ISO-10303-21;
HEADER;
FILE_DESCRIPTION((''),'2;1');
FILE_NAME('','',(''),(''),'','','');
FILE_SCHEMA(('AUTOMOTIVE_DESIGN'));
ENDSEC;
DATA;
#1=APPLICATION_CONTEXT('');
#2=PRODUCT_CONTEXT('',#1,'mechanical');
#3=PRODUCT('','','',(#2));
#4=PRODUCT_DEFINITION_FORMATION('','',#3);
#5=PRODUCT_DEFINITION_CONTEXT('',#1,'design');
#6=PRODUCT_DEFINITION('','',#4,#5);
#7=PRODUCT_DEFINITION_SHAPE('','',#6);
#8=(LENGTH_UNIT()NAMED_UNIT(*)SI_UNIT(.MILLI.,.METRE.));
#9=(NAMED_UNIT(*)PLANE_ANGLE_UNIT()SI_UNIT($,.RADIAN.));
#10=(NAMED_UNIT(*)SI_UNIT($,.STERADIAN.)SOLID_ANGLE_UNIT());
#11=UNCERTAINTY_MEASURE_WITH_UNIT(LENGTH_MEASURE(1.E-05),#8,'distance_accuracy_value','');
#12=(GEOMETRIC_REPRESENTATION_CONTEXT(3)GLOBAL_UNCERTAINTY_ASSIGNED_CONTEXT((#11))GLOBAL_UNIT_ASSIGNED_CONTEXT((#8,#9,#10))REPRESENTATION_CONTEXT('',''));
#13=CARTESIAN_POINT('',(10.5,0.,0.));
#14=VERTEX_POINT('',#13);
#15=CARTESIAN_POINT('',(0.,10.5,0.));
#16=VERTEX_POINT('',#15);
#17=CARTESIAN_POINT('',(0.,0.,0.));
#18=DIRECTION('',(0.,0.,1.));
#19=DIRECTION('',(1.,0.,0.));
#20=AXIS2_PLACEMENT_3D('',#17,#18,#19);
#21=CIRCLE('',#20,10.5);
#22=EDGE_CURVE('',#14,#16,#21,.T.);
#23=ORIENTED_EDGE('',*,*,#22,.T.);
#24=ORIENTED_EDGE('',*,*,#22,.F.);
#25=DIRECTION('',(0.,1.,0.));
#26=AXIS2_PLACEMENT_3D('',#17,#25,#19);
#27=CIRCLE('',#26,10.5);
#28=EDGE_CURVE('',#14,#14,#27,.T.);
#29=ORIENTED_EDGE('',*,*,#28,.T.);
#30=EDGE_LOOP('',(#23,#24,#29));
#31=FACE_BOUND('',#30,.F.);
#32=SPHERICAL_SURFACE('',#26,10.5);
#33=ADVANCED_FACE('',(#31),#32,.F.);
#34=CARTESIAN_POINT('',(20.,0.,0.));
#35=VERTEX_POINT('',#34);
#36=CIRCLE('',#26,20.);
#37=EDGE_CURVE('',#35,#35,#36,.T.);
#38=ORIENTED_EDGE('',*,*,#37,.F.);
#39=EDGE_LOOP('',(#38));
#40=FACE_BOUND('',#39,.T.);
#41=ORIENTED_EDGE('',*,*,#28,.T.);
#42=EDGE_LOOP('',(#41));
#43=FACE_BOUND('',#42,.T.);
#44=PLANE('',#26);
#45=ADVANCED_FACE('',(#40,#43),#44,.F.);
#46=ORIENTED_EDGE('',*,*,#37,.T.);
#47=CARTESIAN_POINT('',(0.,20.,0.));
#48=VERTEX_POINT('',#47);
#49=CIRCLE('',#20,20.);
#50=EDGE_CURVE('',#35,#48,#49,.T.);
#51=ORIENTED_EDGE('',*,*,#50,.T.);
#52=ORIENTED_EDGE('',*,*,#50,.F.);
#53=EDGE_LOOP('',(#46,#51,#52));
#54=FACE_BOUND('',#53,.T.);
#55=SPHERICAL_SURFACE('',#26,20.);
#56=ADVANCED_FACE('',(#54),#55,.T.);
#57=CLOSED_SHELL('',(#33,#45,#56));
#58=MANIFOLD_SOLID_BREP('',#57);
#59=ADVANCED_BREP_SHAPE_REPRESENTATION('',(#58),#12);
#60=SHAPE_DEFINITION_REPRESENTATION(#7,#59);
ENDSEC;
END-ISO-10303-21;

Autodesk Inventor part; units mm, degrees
ref_plane "YZ Plane" through (0, 0, 0) normal (1, 0, 0) x (0, 1, 0)
ref_plane "XZ Plane" through (0, 0, 0) normal (0, 1, 0) x (-1, 0, 0)
ref_plane "XY Plane" through (0, 0, 0) normal (0, 0, 1) x (1, 0, 0)
sketch "Sketch1" plane through (0, 0, 0) normal (0, 0, 1) x (1, 0, 0)
  line L0 (0, 0) -> (0, 20)
  line L1 (0, 0) -> (20, 0)
  arc A0 (20, 0) -> (0, 20) centre (0, 0) ccw
  line L2 (0, -4.8284) -> (0, 28.9706) projected
  dimension "d2" = 20
revolve "Revolution1" add sketch "Sketch1" angle 360 about axis through (0, -10, 0) along (0, 1, 0)
shell "Shell2" thickness 9.5 removed faces 1 at (-2.364, 0, -6.2334)
properties part number "Ball_Upper Half" material "Nylon 6/6"
